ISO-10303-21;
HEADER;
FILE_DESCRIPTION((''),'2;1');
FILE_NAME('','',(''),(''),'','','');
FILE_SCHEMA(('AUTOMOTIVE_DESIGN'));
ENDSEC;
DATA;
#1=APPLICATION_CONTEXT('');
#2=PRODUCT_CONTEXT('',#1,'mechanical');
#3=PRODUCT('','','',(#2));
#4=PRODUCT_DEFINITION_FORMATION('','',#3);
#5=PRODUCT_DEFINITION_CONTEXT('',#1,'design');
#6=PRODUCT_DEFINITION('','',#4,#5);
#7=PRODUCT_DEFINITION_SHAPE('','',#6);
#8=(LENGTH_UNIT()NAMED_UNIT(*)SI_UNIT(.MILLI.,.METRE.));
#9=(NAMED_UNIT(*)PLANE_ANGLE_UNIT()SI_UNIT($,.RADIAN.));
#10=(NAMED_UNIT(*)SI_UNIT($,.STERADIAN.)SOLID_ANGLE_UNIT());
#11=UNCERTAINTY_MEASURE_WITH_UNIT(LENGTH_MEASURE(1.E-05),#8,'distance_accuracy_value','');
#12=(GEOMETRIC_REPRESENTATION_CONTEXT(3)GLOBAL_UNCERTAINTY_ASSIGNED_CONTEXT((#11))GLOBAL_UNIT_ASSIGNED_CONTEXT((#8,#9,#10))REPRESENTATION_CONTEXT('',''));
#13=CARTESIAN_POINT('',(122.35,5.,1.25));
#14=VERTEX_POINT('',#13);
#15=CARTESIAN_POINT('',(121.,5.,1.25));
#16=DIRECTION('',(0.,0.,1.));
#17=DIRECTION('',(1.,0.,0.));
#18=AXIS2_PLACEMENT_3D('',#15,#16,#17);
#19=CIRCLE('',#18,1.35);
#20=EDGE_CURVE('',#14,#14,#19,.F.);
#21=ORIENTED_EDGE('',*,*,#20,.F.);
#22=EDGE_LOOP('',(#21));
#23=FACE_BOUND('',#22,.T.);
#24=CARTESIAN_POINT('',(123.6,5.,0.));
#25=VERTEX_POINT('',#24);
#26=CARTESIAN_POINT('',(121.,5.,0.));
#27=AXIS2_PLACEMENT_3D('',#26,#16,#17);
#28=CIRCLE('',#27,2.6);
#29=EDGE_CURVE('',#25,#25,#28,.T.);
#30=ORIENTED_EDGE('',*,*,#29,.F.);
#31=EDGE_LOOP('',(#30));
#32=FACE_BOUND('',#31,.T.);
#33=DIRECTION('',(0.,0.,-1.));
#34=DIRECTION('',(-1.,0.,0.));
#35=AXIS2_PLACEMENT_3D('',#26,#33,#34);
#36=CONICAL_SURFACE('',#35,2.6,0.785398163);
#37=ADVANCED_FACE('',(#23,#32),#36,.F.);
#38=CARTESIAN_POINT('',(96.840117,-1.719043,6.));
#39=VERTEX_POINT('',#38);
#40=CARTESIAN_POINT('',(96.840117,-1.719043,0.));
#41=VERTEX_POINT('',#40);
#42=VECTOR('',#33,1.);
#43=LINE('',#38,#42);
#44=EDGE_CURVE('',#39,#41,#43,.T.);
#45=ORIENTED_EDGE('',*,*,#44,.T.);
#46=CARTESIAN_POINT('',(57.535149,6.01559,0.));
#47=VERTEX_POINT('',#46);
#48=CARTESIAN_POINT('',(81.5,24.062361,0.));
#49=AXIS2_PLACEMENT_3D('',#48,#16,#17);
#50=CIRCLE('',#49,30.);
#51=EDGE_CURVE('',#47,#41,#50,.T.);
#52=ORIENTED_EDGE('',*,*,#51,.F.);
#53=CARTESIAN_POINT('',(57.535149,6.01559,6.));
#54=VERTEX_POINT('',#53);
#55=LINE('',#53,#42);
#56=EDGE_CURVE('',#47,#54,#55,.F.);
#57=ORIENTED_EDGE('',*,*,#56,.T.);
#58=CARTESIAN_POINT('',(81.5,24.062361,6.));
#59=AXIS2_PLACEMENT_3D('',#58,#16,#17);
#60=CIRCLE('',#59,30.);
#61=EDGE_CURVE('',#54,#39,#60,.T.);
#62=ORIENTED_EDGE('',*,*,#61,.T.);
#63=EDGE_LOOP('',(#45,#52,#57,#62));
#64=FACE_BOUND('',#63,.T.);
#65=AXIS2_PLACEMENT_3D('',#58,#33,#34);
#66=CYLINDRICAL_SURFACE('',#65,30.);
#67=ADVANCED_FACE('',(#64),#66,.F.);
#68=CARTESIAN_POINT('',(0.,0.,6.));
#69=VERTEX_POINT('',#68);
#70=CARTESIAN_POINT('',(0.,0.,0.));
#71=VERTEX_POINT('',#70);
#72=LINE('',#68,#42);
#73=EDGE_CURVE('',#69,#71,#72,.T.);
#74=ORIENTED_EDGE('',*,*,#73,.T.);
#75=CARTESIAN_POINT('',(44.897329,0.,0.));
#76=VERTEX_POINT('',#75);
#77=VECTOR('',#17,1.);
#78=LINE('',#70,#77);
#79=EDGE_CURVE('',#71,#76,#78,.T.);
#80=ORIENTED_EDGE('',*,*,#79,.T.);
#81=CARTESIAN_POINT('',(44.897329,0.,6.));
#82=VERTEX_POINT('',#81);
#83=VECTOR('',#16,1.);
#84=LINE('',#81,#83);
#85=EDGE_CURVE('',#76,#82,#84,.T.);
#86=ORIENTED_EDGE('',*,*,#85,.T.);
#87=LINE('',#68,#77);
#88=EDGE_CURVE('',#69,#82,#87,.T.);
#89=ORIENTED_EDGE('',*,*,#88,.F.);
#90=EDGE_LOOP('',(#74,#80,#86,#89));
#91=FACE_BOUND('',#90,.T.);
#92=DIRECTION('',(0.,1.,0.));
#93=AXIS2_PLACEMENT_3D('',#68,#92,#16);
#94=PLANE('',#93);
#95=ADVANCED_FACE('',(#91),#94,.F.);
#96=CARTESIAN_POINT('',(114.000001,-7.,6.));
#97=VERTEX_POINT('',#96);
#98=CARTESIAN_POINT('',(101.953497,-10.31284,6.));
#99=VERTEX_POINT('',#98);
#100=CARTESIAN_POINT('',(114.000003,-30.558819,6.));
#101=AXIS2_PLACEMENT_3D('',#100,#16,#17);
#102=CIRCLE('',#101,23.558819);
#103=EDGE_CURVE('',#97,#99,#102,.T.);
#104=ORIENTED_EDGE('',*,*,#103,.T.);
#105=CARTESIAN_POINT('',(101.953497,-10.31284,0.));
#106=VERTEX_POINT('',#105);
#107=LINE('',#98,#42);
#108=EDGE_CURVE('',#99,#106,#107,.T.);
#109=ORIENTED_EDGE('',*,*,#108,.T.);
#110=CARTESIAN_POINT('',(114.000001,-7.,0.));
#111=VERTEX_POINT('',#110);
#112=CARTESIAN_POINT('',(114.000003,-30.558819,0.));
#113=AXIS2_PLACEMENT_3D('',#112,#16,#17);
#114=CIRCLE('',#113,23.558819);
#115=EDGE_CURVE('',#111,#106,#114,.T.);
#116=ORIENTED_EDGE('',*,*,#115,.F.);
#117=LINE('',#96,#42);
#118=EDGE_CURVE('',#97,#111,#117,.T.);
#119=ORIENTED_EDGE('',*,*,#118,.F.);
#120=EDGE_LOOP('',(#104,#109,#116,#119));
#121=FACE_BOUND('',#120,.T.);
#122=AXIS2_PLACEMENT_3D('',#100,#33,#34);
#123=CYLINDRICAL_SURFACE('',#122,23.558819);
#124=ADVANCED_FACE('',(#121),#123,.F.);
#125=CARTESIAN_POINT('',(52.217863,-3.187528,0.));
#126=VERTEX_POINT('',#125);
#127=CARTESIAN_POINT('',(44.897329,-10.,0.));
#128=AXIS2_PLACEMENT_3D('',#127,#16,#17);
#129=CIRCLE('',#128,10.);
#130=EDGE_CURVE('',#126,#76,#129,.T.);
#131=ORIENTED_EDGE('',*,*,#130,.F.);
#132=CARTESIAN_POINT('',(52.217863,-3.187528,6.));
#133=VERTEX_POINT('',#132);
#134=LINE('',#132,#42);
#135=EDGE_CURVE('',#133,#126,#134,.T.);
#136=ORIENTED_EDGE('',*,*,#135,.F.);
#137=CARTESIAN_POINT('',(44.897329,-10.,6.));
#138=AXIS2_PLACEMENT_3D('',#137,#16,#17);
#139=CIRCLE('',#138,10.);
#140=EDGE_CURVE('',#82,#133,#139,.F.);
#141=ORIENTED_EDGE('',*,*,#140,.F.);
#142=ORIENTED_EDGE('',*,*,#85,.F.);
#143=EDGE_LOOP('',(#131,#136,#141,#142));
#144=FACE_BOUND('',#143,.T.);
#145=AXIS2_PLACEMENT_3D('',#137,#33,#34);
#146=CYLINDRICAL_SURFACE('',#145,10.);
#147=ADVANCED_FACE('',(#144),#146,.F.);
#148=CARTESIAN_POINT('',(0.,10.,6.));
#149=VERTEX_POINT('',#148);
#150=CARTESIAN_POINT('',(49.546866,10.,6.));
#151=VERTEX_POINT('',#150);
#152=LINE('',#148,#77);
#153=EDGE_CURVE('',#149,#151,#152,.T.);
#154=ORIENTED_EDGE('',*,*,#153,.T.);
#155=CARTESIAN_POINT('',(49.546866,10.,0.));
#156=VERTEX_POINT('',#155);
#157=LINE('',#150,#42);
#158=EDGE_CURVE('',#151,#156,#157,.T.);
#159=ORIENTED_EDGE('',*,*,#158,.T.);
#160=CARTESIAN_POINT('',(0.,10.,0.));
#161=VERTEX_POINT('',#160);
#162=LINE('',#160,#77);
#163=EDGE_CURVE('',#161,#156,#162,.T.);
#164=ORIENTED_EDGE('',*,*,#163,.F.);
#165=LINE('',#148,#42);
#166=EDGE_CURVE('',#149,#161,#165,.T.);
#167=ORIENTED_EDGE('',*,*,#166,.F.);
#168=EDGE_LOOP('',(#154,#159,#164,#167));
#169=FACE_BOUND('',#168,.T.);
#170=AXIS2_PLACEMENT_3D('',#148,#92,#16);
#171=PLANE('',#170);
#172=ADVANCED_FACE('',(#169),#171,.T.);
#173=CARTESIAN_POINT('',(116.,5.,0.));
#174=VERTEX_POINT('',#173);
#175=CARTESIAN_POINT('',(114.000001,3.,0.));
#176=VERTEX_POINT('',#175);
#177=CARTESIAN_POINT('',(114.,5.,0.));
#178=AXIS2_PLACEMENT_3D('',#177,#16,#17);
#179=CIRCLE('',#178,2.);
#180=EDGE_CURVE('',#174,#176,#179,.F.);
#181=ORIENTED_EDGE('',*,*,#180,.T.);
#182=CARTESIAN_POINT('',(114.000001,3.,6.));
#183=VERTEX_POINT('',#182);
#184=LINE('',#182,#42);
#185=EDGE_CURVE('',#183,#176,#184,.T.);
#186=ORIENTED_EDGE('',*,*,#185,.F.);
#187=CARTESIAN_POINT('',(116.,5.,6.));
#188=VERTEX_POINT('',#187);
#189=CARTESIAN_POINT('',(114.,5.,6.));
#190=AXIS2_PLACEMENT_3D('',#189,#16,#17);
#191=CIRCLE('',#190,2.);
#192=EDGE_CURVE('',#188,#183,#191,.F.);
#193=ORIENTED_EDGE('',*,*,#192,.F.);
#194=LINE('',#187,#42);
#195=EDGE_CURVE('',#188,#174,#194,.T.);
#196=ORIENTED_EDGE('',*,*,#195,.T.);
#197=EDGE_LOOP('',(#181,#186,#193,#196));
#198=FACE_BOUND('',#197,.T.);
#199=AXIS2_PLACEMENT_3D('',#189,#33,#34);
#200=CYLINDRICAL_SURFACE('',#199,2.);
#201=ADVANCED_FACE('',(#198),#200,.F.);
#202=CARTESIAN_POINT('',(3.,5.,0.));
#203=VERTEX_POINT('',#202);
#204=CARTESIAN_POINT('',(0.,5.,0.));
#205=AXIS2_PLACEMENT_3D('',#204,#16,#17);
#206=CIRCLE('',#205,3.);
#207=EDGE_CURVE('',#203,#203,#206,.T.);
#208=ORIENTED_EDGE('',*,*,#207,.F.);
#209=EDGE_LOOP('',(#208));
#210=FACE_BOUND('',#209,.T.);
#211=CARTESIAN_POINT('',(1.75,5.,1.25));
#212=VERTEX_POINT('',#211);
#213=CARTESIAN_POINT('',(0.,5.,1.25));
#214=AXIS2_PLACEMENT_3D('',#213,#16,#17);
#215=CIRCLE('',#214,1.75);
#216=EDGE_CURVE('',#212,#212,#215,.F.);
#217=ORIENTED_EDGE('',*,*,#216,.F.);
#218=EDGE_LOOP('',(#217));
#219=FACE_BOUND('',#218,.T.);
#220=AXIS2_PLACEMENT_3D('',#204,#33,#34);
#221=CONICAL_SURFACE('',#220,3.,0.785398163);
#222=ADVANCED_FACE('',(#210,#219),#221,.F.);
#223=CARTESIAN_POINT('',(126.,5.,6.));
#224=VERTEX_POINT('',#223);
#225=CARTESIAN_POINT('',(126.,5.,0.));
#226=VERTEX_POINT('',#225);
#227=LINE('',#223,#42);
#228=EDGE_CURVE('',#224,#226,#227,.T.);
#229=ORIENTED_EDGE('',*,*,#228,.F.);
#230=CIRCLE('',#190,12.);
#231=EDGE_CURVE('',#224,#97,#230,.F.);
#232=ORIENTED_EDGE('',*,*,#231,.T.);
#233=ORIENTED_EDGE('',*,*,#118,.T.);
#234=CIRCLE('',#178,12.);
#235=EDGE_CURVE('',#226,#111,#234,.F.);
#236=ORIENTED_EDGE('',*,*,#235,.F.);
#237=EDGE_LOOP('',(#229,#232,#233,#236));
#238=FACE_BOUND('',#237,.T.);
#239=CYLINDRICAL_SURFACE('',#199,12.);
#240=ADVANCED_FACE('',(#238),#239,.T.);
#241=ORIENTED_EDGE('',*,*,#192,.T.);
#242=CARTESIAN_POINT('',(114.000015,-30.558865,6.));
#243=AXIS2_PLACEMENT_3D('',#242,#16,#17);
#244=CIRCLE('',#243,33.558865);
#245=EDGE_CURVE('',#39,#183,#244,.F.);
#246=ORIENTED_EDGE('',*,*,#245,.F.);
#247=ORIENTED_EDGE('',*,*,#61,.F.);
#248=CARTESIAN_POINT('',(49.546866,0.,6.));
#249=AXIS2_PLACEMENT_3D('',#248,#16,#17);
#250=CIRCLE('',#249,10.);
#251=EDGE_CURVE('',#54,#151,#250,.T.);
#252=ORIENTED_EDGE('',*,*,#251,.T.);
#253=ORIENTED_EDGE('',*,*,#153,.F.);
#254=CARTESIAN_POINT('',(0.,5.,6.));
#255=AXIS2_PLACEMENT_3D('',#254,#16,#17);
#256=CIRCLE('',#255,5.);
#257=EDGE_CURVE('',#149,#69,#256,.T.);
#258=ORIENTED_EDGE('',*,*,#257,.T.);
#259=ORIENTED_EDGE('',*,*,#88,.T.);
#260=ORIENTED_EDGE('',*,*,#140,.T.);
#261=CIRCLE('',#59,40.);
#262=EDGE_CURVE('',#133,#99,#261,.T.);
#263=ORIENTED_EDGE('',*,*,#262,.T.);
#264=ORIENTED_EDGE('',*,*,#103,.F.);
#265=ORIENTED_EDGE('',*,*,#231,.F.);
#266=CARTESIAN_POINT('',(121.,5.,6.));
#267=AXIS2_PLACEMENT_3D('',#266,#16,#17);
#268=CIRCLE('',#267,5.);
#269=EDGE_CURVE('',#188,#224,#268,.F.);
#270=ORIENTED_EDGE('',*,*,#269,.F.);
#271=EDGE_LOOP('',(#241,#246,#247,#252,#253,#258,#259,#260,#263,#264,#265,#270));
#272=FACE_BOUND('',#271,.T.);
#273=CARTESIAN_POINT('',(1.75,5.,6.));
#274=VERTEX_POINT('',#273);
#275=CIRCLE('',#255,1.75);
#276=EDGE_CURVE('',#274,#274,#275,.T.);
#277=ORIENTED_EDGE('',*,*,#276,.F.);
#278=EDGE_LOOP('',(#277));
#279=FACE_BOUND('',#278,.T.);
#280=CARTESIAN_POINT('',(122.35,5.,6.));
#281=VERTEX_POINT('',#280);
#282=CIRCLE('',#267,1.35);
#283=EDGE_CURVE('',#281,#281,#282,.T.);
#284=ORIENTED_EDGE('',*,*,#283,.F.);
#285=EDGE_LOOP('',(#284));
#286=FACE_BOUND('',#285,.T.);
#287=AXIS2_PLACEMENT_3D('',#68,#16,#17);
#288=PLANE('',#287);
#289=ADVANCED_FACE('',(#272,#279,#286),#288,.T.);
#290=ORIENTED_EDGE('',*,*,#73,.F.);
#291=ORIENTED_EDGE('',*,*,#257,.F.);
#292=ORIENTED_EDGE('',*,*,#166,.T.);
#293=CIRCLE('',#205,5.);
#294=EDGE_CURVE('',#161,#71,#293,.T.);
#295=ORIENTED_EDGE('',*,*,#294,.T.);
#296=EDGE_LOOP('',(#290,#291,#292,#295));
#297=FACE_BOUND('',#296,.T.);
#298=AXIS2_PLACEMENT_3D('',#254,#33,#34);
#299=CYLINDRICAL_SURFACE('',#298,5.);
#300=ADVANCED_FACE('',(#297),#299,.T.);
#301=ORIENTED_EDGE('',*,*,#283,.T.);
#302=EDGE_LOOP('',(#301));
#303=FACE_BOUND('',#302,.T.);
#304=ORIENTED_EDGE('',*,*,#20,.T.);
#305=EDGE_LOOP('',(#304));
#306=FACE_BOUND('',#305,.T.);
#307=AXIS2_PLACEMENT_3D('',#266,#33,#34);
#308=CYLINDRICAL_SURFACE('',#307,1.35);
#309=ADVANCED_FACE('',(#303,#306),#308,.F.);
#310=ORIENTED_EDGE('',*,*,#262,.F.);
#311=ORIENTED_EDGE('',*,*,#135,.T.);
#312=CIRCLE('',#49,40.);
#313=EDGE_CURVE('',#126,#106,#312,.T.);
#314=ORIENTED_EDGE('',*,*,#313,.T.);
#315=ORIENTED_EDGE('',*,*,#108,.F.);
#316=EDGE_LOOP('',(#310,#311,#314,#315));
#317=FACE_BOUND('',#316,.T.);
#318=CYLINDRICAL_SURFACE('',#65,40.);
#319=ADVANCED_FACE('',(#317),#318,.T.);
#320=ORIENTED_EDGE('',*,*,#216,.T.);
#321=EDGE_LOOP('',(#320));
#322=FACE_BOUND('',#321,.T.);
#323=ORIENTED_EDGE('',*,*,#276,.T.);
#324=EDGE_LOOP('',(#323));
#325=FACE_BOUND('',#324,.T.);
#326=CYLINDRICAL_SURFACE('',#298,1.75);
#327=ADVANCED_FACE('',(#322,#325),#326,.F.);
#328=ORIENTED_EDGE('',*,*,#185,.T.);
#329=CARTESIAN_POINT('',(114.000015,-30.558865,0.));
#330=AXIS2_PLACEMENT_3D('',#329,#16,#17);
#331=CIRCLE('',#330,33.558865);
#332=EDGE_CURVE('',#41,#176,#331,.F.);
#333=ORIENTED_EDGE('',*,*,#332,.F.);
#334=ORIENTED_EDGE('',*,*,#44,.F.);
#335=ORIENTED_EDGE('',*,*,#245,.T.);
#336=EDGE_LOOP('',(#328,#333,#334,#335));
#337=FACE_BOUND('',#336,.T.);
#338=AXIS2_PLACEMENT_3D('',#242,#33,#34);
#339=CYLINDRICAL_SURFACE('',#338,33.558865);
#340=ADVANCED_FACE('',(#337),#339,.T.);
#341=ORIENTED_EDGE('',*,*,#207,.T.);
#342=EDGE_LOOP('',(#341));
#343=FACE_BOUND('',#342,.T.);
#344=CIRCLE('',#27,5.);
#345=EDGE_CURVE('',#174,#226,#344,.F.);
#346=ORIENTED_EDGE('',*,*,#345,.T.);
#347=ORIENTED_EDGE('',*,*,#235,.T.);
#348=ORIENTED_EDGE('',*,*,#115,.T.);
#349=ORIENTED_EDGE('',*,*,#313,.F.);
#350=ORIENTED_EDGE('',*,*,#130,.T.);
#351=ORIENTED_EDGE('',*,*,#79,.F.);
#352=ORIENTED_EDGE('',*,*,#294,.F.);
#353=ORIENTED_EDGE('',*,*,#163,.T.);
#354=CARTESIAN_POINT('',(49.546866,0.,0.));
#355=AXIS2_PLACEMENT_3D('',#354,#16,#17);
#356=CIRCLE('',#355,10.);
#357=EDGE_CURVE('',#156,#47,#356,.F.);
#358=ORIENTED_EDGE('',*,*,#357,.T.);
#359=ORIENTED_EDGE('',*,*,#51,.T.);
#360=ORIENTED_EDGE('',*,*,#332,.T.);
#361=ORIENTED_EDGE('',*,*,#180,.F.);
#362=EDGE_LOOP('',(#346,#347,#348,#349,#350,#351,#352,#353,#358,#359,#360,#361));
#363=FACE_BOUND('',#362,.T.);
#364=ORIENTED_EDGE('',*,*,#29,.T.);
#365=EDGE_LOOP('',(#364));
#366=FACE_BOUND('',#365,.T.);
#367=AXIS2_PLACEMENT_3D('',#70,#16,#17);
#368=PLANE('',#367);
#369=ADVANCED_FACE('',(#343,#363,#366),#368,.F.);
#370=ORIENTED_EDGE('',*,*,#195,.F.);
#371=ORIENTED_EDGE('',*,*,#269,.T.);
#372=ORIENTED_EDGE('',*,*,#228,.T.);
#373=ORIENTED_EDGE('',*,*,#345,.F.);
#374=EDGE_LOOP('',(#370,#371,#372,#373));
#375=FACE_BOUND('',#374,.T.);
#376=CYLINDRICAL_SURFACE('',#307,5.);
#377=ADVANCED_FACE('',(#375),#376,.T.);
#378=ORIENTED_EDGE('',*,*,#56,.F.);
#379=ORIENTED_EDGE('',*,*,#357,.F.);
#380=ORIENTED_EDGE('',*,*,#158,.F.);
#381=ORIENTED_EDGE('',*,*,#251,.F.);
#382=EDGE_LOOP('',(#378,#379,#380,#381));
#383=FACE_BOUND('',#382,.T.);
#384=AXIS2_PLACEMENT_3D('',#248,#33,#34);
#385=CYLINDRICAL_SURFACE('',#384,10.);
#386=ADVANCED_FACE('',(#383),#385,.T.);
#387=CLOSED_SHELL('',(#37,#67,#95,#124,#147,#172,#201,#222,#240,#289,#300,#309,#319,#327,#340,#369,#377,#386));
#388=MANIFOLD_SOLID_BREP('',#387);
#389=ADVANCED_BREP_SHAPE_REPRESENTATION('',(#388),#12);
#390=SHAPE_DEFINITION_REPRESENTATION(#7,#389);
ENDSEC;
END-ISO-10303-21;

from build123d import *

# Parameters (mm, degrees)
ESQUISSE1_R        = 1.75
ESQUISSE1_R_2      = 1.35
BOSS_EXTRU_1_DEPTH = 6
CHANFREIN1_SIZE    = 1.25
CONG_1_R           = 10


with BuildPart() as part:
    # Esquisse1 → Boss.-Extru.1 (new body)
    with BuildSketch(Plane.XY):
        with BuildLine():
            Line((0, 0), (49.546865916, 0))
            ThreePointArc((49.546865916, 0), (73.776718043, -15.184943457), (101.953496658, -10.312840336))
            ThreePointArc((101.953496658, -10.312840336), (107.75313821, -7.843303604), (114.000000849, -7))
            ThreePointArc((114.000000849, -7), (122.485281675, -3.485281074), (126, 5))
            ThreePointArc((126, 5), (124.535533906, 8.535533906), (121, 10))
            ThreePointArc((121, 10), (117.464466094, 8.535533906), (116, 5))
            ThreePointArc((116, 5), (115.414213863, 3.585786738), (114.000000849, 3))
            ThreePointArc((114.000000849, 3), (105.101532849, 1.798737416), (96.840117389, -1.719043012))
            ThreePointArc((96.840117389, -1.719043012), (73.408662827, -4.825876336), (55, 10))
            Line((55, 10), (0, 10))
            ThreePointArc((0, 10), (-5, 5), (0, 0))
        make_face()
        with Locations((0, 5)):
            Circle(ESQUISSE1_R, mode=Mode.SUBTRACT)
        with Locations((121, 5)):
            Circle(ESQUISSE1_R_2, mode=Mode.SUBTRACT)
    extrude(amount=BOSS_EXTRU_1_DEPTH)

    # Chanfrein1
    chanfrein1_edges = [part.edges().sort_by_distance(p)[0] for p in [
        (-1.75, 5, 0),
        (119.65, 5, 0),
    ]]
    chamfer(chanfrein1_edges, length=CHANFREIN1_SIZE)

    # Congé1
    cong_1_edges = [part.edges().sort_by_distance(p)[0] for p in [
        (49.546865916, 0, 3),
        (55, 10, 3),
    ]]
    fillet(cong_1_edges, radius=CONG_1_R)


solid = part.part
